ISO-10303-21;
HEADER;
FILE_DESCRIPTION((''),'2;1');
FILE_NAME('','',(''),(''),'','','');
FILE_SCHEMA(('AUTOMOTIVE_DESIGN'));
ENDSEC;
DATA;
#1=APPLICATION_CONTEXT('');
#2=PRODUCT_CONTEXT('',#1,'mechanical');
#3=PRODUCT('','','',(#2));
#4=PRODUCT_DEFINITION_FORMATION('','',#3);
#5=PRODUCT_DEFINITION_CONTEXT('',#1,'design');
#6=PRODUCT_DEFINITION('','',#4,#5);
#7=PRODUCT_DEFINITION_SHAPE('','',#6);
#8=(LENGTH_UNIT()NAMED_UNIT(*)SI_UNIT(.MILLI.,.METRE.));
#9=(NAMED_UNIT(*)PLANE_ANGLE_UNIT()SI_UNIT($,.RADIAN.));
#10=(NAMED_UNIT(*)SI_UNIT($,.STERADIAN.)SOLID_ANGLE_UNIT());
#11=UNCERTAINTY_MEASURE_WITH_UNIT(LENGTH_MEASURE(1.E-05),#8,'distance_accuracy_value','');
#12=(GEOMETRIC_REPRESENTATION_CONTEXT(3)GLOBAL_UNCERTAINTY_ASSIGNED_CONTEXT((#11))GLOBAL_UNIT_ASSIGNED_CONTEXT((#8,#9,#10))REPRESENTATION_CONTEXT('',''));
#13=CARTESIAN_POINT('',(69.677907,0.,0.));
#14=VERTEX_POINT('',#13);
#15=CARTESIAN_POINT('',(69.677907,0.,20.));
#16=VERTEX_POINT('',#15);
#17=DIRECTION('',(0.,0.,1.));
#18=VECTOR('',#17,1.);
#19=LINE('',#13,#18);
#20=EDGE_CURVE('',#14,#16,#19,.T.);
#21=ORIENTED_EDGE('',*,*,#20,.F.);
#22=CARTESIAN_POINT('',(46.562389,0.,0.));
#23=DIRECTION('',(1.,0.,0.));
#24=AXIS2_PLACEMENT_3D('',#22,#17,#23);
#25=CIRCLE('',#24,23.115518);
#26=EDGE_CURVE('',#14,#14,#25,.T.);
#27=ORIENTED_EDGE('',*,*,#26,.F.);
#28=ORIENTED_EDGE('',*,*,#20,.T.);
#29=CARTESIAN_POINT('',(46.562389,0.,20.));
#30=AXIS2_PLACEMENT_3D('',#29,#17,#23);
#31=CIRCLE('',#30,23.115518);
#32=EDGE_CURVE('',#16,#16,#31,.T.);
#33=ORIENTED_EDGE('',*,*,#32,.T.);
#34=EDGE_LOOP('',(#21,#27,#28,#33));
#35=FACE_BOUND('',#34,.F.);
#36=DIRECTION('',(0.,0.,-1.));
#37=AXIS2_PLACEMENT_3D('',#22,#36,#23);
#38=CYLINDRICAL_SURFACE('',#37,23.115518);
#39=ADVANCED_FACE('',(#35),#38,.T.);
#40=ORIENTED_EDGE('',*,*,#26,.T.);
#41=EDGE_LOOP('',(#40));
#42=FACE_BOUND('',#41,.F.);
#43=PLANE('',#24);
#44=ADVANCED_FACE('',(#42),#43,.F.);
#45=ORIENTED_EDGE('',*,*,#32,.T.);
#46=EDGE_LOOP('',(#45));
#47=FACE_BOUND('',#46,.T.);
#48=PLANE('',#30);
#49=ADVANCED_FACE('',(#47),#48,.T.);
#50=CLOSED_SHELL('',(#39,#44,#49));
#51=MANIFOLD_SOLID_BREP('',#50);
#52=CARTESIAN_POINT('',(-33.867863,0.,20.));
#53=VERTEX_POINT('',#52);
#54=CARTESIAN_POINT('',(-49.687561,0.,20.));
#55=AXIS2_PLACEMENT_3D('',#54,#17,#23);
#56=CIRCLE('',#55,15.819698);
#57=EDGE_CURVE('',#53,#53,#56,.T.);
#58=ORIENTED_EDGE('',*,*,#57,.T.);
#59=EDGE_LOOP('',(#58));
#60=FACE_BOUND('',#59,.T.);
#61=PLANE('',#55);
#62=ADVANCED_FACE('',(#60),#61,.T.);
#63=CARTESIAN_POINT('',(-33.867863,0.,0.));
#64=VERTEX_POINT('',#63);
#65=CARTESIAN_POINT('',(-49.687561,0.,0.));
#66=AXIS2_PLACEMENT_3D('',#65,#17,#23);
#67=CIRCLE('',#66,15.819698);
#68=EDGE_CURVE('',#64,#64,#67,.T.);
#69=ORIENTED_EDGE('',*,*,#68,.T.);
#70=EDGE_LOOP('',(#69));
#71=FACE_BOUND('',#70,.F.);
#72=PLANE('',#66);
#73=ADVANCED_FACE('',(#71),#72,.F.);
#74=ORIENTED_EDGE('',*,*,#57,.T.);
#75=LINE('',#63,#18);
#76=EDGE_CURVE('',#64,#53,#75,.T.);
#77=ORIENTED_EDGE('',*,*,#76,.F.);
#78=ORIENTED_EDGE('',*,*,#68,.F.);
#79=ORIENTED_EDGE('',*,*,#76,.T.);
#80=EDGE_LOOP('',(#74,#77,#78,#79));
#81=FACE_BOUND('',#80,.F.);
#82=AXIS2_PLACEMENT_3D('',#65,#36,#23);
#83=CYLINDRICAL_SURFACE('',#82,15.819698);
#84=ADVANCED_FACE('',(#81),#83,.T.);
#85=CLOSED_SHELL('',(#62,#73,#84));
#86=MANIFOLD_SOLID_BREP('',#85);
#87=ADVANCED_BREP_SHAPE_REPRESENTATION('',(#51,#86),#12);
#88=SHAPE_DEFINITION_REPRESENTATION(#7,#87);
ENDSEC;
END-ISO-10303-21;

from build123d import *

# Parameters (mm, degrees)
F0_R     = 23.115518
F1_DEPTH = 20
F2_R     = 15.819698
F3_DEPTH = 20


with BuildPart() as f1:
    # F0 (on Top) → F1 (new body)
    with BuildSketch(Plane.XY):
        with Locations((46.562389, 0)):
            Circle(F0_R)
    extrude(amount=F1_DEPTH)


with BuildPart() as f3:
    # F2 (on Top) → F3 (new body)
    with BuildSketch(Plane.XY):
        with Locations((-49.687561, 0)):
            Circle(F2_R)
    extrude(amount=F3_DEPTH)


solid = Compound([f1.part, f3.part])
